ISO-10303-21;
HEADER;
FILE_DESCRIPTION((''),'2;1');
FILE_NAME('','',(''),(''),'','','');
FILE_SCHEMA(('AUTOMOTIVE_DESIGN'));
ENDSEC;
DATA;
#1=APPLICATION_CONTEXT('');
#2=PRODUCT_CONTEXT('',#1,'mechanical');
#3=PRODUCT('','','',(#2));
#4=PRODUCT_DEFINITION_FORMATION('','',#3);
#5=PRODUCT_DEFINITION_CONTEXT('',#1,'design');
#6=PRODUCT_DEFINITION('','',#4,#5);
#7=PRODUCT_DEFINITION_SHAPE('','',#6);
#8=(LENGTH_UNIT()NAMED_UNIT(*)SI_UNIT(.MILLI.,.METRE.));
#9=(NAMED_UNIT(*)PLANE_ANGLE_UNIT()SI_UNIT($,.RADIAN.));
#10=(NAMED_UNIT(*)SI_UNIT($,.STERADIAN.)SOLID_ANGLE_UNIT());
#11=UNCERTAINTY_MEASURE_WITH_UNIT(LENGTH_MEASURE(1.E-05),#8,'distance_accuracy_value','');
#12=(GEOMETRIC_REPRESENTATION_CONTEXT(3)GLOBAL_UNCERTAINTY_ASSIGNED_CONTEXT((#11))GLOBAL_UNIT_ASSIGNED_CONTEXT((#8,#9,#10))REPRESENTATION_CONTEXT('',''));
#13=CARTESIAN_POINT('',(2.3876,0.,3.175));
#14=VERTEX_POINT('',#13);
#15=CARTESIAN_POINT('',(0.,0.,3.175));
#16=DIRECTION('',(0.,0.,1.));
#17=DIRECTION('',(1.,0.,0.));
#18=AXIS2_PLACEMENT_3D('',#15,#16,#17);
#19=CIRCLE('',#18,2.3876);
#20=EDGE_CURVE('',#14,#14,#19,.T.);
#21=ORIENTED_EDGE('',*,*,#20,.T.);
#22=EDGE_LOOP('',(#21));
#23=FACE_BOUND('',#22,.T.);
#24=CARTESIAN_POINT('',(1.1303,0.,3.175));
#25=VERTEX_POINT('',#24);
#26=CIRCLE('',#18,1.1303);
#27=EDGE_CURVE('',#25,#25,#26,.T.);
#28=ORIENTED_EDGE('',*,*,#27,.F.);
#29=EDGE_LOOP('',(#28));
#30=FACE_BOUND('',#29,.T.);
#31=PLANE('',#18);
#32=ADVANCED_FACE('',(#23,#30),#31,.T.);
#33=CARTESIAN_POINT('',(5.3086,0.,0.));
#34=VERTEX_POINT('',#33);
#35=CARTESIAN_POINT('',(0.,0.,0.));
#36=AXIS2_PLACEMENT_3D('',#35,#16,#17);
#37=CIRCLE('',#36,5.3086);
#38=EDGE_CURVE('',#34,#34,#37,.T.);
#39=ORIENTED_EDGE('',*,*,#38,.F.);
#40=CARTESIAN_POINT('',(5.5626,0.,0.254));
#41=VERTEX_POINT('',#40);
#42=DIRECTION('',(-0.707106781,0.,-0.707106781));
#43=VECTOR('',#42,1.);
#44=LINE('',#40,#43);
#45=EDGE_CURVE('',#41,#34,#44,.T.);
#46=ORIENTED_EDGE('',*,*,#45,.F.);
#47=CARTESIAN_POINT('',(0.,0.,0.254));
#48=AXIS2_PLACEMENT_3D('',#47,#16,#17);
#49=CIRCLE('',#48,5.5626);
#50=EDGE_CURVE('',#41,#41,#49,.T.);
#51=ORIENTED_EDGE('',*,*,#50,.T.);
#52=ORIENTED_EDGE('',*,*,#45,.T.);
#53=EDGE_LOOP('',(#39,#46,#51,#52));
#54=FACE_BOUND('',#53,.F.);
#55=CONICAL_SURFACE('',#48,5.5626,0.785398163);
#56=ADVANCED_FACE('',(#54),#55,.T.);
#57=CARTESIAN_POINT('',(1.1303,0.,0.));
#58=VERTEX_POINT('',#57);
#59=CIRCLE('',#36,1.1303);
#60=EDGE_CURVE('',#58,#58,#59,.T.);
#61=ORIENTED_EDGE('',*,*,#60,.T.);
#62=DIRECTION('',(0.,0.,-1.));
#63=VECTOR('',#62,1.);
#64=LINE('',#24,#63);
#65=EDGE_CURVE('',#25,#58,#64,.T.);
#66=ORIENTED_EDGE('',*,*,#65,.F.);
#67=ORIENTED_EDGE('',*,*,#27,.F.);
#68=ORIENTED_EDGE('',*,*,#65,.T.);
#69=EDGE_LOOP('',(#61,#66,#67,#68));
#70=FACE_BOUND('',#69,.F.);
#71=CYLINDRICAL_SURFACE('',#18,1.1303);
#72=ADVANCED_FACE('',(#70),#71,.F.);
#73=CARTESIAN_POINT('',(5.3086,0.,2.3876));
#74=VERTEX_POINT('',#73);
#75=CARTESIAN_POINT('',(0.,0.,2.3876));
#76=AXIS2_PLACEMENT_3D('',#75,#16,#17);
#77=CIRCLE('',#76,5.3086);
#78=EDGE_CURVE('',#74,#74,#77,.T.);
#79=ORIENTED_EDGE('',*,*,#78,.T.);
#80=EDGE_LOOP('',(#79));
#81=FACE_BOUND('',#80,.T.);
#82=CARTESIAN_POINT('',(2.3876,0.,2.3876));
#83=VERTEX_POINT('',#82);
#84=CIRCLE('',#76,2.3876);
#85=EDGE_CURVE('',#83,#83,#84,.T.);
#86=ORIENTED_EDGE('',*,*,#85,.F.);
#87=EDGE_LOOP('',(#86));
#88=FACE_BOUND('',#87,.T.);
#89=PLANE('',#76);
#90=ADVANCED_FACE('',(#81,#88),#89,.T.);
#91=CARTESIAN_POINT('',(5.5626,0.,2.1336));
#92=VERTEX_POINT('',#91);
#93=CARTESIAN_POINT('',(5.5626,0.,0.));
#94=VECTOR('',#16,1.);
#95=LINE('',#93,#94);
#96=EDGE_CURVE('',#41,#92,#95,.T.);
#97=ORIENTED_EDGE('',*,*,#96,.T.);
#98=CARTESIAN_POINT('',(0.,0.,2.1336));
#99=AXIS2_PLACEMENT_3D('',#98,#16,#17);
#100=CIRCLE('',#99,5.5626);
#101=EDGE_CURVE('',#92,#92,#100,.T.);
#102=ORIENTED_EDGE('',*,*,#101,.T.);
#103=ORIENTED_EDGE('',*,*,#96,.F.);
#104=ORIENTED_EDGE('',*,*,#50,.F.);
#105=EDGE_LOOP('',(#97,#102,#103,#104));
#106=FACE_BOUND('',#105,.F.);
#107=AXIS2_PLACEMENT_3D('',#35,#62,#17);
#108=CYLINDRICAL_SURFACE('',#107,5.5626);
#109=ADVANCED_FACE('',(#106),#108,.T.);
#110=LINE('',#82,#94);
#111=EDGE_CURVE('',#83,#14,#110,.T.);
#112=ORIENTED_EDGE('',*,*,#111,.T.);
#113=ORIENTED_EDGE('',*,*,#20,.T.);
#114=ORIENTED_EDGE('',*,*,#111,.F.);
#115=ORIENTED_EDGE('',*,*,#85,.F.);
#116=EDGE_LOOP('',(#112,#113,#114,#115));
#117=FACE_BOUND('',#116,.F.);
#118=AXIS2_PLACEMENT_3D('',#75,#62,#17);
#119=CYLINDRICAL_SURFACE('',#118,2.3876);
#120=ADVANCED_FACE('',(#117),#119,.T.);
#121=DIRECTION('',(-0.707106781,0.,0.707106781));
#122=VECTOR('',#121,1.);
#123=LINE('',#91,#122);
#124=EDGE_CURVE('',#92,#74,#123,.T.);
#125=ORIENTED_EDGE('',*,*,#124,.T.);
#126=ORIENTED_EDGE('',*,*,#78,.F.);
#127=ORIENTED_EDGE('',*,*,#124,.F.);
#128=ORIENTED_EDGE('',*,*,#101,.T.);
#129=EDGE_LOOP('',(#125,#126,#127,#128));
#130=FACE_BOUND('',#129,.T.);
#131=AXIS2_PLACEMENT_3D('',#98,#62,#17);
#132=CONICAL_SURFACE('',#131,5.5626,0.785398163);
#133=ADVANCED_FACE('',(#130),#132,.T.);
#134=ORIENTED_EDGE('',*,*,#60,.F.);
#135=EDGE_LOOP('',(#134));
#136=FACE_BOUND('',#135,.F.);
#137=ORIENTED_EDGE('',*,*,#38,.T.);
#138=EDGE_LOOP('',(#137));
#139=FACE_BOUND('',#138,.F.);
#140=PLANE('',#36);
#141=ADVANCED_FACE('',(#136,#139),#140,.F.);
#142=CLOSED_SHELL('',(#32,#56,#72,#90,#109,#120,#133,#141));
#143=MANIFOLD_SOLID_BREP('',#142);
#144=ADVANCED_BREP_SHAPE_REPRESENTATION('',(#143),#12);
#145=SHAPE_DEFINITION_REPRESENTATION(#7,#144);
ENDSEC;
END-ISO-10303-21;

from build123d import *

# Parameters (mm, degrees)
F0_R     = 5.5626
F1_DEPTH = 2.3876
F2_R     = 2.3876
F3_DEPTH = 0.7874
F4_R     = 1.1303
F5_DEPTH = 3.176
F6_SIZE  = 0.254


with BuildPart() as f1:
    # F0 (on Top) → F1 (new body)
    with BuildSketch(Plane.XY):
        Circle(F0_R)
    extrude(amount=F1_DEPTH)

    # F2 (on face) → F3 (join)
    with BuildSketch(Plane.XY.offset(2.3876)):
        Circle(F2_R)
    extrude(amount=F3_DEPTH)

    # F4 (on face) → F5 (cut, through all)
    with BuildSketch(Plane.XY.offset(3.175)):
        Circle(F4_R)
    extrude(amount=-F5_DEPTH, mode=Mode.SUBTRACT)

    # F6
    f6_edges = [f1.edges().sort_by_distance(p)[0] for p in [
        (-5.5626, 0, 2.3876),
        (-5.5626, 0, 0),
    ]]
    chamfer(f6_edges, length=F6_SIZE)


solid = f1.part
